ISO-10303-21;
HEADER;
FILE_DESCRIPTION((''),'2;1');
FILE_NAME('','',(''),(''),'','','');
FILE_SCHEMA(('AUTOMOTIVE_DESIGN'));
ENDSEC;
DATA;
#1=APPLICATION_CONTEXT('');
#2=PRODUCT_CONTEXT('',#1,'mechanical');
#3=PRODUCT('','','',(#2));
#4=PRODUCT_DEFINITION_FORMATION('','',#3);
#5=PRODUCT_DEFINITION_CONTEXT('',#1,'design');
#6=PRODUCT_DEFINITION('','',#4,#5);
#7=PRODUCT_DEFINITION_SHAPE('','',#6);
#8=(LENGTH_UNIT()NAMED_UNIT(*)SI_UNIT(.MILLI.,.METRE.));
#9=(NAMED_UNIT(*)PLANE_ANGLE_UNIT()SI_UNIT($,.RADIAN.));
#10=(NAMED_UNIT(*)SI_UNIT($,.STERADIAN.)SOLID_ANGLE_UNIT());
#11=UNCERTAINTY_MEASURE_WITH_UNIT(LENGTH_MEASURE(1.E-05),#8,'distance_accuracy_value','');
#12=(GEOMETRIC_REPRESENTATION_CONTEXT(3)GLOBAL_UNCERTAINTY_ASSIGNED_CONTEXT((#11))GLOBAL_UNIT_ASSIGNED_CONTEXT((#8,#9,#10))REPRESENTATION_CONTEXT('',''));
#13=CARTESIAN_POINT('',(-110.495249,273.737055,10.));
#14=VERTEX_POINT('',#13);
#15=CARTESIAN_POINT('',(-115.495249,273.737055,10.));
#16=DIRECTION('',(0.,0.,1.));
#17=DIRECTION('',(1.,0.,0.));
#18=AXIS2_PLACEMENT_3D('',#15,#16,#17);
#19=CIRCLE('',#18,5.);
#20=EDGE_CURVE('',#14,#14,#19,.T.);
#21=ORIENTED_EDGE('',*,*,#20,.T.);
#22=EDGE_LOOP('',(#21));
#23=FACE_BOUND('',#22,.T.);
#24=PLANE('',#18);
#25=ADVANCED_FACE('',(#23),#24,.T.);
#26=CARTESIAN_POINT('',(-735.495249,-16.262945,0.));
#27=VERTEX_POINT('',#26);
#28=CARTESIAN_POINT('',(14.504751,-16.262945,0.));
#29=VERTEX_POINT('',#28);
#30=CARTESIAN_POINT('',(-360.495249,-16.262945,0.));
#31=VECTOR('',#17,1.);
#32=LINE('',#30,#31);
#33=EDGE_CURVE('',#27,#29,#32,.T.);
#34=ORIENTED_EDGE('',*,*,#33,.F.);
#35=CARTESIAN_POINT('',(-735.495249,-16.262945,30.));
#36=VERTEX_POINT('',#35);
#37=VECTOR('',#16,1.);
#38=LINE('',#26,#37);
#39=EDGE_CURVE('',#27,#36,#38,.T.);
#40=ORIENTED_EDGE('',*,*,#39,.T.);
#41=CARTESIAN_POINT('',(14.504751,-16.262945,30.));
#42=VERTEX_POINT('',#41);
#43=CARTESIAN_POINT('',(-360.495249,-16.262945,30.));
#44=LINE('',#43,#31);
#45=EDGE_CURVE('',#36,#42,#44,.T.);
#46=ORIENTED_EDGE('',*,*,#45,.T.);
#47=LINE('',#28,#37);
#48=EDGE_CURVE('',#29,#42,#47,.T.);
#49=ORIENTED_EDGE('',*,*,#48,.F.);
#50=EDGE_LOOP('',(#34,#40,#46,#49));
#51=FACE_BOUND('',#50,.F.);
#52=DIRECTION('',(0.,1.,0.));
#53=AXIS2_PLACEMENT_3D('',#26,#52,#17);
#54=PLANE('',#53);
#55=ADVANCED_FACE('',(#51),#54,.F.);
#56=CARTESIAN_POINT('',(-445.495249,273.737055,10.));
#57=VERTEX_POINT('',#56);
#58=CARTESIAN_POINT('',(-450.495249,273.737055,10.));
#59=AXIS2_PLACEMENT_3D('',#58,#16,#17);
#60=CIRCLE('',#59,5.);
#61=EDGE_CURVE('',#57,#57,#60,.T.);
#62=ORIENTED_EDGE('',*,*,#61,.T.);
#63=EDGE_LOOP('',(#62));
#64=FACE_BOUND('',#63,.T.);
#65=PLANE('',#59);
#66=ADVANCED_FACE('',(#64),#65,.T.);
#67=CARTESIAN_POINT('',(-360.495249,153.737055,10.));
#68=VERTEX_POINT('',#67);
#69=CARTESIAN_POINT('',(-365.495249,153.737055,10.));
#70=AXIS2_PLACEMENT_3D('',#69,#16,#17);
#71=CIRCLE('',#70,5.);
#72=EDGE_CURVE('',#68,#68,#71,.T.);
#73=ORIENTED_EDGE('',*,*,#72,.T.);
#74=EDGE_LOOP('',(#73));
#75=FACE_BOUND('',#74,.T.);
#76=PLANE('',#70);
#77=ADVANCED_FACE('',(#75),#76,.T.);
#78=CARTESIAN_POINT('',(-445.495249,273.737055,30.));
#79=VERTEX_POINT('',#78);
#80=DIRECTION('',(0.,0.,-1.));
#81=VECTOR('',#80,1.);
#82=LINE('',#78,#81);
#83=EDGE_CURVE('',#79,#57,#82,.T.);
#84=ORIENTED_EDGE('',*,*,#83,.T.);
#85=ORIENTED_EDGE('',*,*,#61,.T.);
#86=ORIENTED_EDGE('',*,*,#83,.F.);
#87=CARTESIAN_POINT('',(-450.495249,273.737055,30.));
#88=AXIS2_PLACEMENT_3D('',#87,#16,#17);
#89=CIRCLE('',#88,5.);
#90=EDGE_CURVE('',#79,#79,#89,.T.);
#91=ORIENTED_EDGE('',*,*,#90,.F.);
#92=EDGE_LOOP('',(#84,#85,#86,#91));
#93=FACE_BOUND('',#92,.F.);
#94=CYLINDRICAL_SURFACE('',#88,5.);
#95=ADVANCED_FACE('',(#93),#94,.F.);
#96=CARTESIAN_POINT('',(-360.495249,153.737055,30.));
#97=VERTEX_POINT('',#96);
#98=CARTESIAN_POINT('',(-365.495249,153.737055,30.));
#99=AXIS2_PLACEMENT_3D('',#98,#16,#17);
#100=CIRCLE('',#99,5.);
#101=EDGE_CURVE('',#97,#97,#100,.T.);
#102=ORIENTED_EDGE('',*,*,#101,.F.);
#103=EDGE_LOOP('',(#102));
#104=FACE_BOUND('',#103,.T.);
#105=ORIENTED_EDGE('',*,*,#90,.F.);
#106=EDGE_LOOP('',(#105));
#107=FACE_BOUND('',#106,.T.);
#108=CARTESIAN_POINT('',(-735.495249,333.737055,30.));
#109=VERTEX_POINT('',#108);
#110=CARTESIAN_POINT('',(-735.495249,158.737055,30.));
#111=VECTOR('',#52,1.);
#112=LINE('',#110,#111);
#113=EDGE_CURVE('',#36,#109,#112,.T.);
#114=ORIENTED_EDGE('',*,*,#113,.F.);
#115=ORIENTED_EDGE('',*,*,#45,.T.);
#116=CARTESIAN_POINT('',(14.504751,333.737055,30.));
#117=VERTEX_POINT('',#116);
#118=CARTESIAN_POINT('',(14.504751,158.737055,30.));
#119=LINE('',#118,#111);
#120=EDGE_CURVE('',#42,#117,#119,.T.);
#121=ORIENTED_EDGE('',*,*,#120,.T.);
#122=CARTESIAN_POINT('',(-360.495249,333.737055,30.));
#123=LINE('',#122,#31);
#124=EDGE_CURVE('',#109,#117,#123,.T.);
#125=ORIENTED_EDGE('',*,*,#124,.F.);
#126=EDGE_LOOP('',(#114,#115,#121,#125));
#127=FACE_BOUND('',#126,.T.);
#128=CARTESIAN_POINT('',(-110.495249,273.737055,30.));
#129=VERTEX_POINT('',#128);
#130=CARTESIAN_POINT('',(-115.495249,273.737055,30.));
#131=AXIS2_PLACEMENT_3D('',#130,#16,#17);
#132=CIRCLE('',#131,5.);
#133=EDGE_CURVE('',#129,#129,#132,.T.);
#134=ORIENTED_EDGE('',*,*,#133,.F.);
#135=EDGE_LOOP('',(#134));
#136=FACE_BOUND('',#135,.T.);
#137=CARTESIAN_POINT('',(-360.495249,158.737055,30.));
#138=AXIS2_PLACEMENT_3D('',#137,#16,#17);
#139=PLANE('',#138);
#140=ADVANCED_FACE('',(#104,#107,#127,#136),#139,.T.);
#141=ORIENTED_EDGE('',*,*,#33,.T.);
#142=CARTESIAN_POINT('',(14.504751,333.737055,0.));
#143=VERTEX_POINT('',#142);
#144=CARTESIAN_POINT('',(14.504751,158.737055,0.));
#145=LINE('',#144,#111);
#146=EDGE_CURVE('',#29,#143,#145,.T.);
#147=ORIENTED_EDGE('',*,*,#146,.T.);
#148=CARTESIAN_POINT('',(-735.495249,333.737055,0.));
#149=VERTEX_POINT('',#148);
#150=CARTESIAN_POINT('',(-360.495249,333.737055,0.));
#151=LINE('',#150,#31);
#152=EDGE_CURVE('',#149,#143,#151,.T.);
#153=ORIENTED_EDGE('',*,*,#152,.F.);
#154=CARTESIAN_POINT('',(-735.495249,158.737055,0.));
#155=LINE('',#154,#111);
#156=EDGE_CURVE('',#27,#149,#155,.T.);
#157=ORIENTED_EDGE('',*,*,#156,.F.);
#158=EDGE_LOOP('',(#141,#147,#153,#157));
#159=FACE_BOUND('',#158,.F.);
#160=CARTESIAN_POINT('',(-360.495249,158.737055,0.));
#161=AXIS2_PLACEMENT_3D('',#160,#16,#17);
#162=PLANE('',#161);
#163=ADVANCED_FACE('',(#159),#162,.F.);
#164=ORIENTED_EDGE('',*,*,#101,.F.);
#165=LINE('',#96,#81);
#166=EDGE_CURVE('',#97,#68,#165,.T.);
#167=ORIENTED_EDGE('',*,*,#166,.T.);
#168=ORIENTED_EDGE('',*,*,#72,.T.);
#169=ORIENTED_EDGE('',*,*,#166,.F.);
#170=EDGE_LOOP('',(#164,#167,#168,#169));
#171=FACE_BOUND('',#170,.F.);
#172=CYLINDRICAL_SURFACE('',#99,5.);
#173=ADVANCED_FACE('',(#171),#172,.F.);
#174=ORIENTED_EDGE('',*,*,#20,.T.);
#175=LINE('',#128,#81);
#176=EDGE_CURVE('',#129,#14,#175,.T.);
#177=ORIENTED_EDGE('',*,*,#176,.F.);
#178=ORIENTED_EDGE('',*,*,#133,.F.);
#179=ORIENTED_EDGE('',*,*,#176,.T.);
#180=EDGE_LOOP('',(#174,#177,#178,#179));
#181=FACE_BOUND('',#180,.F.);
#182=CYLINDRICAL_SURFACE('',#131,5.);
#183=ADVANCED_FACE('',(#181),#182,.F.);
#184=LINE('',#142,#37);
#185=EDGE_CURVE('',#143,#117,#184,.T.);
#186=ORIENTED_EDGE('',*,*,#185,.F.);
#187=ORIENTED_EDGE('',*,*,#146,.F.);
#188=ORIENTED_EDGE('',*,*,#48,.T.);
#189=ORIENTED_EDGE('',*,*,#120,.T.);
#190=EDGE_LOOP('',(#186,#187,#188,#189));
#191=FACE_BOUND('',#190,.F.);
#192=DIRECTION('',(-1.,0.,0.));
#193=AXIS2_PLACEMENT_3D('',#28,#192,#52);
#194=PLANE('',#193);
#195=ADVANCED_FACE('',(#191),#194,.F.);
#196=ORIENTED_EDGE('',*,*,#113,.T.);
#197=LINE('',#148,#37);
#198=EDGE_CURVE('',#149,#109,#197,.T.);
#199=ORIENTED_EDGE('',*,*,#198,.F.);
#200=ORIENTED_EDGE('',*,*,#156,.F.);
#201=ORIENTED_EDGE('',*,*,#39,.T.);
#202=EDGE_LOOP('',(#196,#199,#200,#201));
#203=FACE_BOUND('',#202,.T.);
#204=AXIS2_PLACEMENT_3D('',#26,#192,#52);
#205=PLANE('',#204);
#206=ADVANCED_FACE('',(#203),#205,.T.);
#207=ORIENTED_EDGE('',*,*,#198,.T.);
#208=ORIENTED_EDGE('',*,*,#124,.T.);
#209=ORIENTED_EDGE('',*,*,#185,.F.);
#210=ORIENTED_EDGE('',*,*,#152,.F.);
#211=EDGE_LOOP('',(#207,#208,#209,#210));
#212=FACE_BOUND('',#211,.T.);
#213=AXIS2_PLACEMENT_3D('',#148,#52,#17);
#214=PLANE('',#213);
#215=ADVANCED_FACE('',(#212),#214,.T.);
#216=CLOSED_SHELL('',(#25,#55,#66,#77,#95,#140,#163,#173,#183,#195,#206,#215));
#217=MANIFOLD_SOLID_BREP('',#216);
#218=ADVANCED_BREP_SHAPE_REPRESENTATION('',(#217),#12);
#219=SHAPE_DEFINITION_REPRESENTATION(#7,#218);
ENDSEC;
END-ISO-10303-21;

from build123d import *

# Parameters (mm, degrees)
F0_W     = 750
F0_H     = 350
F1_DEPTH = 30
F2_R     = 5
F3_DEPTH = 20
F4_R     = 5
F5_DEPTH = 20
F6_R     = 5
F7_DEPTH = 20


with BuildPart() as f1:
    # F0 (on Top) → F1 (new body)
    with BuildSketch(Plane.XY):
        with Locations((-360.495249, 158.737055)):
            Rectangle(F0_W, F0_H)
    extrude(amount=F1_DEPTH)

    # F2 (on face) → F3 (cut)
    with BuildSketch(Plane.XY.offset(30)):
        with Locations((-365.495249, 153.737055)):
            Circle(F2_R)
    extrude(amount=-F3_DEPTH, mode=Mode.SUBTRACT)

    # F4 (on face) → F5 (cut)
    with BuildSketch(Plane.XY.offset(30)):
        with Locations((-450.495249, 273.737055)):
            Circle(F4_R)
    extrude(amount=-F5_DEPTH, mode=Mode.SUBTRACT)

    # F6 (on face) → F7 (cut)
    with BuildSketch(Plane.XY.offset(30)):
        with Locations((-115.495249, 273.737055)):
            Circle(F6_R)
    extrude(amount=-F7_DEPTH, mode=Mode.SUBTRACT)


solid = f1.part
